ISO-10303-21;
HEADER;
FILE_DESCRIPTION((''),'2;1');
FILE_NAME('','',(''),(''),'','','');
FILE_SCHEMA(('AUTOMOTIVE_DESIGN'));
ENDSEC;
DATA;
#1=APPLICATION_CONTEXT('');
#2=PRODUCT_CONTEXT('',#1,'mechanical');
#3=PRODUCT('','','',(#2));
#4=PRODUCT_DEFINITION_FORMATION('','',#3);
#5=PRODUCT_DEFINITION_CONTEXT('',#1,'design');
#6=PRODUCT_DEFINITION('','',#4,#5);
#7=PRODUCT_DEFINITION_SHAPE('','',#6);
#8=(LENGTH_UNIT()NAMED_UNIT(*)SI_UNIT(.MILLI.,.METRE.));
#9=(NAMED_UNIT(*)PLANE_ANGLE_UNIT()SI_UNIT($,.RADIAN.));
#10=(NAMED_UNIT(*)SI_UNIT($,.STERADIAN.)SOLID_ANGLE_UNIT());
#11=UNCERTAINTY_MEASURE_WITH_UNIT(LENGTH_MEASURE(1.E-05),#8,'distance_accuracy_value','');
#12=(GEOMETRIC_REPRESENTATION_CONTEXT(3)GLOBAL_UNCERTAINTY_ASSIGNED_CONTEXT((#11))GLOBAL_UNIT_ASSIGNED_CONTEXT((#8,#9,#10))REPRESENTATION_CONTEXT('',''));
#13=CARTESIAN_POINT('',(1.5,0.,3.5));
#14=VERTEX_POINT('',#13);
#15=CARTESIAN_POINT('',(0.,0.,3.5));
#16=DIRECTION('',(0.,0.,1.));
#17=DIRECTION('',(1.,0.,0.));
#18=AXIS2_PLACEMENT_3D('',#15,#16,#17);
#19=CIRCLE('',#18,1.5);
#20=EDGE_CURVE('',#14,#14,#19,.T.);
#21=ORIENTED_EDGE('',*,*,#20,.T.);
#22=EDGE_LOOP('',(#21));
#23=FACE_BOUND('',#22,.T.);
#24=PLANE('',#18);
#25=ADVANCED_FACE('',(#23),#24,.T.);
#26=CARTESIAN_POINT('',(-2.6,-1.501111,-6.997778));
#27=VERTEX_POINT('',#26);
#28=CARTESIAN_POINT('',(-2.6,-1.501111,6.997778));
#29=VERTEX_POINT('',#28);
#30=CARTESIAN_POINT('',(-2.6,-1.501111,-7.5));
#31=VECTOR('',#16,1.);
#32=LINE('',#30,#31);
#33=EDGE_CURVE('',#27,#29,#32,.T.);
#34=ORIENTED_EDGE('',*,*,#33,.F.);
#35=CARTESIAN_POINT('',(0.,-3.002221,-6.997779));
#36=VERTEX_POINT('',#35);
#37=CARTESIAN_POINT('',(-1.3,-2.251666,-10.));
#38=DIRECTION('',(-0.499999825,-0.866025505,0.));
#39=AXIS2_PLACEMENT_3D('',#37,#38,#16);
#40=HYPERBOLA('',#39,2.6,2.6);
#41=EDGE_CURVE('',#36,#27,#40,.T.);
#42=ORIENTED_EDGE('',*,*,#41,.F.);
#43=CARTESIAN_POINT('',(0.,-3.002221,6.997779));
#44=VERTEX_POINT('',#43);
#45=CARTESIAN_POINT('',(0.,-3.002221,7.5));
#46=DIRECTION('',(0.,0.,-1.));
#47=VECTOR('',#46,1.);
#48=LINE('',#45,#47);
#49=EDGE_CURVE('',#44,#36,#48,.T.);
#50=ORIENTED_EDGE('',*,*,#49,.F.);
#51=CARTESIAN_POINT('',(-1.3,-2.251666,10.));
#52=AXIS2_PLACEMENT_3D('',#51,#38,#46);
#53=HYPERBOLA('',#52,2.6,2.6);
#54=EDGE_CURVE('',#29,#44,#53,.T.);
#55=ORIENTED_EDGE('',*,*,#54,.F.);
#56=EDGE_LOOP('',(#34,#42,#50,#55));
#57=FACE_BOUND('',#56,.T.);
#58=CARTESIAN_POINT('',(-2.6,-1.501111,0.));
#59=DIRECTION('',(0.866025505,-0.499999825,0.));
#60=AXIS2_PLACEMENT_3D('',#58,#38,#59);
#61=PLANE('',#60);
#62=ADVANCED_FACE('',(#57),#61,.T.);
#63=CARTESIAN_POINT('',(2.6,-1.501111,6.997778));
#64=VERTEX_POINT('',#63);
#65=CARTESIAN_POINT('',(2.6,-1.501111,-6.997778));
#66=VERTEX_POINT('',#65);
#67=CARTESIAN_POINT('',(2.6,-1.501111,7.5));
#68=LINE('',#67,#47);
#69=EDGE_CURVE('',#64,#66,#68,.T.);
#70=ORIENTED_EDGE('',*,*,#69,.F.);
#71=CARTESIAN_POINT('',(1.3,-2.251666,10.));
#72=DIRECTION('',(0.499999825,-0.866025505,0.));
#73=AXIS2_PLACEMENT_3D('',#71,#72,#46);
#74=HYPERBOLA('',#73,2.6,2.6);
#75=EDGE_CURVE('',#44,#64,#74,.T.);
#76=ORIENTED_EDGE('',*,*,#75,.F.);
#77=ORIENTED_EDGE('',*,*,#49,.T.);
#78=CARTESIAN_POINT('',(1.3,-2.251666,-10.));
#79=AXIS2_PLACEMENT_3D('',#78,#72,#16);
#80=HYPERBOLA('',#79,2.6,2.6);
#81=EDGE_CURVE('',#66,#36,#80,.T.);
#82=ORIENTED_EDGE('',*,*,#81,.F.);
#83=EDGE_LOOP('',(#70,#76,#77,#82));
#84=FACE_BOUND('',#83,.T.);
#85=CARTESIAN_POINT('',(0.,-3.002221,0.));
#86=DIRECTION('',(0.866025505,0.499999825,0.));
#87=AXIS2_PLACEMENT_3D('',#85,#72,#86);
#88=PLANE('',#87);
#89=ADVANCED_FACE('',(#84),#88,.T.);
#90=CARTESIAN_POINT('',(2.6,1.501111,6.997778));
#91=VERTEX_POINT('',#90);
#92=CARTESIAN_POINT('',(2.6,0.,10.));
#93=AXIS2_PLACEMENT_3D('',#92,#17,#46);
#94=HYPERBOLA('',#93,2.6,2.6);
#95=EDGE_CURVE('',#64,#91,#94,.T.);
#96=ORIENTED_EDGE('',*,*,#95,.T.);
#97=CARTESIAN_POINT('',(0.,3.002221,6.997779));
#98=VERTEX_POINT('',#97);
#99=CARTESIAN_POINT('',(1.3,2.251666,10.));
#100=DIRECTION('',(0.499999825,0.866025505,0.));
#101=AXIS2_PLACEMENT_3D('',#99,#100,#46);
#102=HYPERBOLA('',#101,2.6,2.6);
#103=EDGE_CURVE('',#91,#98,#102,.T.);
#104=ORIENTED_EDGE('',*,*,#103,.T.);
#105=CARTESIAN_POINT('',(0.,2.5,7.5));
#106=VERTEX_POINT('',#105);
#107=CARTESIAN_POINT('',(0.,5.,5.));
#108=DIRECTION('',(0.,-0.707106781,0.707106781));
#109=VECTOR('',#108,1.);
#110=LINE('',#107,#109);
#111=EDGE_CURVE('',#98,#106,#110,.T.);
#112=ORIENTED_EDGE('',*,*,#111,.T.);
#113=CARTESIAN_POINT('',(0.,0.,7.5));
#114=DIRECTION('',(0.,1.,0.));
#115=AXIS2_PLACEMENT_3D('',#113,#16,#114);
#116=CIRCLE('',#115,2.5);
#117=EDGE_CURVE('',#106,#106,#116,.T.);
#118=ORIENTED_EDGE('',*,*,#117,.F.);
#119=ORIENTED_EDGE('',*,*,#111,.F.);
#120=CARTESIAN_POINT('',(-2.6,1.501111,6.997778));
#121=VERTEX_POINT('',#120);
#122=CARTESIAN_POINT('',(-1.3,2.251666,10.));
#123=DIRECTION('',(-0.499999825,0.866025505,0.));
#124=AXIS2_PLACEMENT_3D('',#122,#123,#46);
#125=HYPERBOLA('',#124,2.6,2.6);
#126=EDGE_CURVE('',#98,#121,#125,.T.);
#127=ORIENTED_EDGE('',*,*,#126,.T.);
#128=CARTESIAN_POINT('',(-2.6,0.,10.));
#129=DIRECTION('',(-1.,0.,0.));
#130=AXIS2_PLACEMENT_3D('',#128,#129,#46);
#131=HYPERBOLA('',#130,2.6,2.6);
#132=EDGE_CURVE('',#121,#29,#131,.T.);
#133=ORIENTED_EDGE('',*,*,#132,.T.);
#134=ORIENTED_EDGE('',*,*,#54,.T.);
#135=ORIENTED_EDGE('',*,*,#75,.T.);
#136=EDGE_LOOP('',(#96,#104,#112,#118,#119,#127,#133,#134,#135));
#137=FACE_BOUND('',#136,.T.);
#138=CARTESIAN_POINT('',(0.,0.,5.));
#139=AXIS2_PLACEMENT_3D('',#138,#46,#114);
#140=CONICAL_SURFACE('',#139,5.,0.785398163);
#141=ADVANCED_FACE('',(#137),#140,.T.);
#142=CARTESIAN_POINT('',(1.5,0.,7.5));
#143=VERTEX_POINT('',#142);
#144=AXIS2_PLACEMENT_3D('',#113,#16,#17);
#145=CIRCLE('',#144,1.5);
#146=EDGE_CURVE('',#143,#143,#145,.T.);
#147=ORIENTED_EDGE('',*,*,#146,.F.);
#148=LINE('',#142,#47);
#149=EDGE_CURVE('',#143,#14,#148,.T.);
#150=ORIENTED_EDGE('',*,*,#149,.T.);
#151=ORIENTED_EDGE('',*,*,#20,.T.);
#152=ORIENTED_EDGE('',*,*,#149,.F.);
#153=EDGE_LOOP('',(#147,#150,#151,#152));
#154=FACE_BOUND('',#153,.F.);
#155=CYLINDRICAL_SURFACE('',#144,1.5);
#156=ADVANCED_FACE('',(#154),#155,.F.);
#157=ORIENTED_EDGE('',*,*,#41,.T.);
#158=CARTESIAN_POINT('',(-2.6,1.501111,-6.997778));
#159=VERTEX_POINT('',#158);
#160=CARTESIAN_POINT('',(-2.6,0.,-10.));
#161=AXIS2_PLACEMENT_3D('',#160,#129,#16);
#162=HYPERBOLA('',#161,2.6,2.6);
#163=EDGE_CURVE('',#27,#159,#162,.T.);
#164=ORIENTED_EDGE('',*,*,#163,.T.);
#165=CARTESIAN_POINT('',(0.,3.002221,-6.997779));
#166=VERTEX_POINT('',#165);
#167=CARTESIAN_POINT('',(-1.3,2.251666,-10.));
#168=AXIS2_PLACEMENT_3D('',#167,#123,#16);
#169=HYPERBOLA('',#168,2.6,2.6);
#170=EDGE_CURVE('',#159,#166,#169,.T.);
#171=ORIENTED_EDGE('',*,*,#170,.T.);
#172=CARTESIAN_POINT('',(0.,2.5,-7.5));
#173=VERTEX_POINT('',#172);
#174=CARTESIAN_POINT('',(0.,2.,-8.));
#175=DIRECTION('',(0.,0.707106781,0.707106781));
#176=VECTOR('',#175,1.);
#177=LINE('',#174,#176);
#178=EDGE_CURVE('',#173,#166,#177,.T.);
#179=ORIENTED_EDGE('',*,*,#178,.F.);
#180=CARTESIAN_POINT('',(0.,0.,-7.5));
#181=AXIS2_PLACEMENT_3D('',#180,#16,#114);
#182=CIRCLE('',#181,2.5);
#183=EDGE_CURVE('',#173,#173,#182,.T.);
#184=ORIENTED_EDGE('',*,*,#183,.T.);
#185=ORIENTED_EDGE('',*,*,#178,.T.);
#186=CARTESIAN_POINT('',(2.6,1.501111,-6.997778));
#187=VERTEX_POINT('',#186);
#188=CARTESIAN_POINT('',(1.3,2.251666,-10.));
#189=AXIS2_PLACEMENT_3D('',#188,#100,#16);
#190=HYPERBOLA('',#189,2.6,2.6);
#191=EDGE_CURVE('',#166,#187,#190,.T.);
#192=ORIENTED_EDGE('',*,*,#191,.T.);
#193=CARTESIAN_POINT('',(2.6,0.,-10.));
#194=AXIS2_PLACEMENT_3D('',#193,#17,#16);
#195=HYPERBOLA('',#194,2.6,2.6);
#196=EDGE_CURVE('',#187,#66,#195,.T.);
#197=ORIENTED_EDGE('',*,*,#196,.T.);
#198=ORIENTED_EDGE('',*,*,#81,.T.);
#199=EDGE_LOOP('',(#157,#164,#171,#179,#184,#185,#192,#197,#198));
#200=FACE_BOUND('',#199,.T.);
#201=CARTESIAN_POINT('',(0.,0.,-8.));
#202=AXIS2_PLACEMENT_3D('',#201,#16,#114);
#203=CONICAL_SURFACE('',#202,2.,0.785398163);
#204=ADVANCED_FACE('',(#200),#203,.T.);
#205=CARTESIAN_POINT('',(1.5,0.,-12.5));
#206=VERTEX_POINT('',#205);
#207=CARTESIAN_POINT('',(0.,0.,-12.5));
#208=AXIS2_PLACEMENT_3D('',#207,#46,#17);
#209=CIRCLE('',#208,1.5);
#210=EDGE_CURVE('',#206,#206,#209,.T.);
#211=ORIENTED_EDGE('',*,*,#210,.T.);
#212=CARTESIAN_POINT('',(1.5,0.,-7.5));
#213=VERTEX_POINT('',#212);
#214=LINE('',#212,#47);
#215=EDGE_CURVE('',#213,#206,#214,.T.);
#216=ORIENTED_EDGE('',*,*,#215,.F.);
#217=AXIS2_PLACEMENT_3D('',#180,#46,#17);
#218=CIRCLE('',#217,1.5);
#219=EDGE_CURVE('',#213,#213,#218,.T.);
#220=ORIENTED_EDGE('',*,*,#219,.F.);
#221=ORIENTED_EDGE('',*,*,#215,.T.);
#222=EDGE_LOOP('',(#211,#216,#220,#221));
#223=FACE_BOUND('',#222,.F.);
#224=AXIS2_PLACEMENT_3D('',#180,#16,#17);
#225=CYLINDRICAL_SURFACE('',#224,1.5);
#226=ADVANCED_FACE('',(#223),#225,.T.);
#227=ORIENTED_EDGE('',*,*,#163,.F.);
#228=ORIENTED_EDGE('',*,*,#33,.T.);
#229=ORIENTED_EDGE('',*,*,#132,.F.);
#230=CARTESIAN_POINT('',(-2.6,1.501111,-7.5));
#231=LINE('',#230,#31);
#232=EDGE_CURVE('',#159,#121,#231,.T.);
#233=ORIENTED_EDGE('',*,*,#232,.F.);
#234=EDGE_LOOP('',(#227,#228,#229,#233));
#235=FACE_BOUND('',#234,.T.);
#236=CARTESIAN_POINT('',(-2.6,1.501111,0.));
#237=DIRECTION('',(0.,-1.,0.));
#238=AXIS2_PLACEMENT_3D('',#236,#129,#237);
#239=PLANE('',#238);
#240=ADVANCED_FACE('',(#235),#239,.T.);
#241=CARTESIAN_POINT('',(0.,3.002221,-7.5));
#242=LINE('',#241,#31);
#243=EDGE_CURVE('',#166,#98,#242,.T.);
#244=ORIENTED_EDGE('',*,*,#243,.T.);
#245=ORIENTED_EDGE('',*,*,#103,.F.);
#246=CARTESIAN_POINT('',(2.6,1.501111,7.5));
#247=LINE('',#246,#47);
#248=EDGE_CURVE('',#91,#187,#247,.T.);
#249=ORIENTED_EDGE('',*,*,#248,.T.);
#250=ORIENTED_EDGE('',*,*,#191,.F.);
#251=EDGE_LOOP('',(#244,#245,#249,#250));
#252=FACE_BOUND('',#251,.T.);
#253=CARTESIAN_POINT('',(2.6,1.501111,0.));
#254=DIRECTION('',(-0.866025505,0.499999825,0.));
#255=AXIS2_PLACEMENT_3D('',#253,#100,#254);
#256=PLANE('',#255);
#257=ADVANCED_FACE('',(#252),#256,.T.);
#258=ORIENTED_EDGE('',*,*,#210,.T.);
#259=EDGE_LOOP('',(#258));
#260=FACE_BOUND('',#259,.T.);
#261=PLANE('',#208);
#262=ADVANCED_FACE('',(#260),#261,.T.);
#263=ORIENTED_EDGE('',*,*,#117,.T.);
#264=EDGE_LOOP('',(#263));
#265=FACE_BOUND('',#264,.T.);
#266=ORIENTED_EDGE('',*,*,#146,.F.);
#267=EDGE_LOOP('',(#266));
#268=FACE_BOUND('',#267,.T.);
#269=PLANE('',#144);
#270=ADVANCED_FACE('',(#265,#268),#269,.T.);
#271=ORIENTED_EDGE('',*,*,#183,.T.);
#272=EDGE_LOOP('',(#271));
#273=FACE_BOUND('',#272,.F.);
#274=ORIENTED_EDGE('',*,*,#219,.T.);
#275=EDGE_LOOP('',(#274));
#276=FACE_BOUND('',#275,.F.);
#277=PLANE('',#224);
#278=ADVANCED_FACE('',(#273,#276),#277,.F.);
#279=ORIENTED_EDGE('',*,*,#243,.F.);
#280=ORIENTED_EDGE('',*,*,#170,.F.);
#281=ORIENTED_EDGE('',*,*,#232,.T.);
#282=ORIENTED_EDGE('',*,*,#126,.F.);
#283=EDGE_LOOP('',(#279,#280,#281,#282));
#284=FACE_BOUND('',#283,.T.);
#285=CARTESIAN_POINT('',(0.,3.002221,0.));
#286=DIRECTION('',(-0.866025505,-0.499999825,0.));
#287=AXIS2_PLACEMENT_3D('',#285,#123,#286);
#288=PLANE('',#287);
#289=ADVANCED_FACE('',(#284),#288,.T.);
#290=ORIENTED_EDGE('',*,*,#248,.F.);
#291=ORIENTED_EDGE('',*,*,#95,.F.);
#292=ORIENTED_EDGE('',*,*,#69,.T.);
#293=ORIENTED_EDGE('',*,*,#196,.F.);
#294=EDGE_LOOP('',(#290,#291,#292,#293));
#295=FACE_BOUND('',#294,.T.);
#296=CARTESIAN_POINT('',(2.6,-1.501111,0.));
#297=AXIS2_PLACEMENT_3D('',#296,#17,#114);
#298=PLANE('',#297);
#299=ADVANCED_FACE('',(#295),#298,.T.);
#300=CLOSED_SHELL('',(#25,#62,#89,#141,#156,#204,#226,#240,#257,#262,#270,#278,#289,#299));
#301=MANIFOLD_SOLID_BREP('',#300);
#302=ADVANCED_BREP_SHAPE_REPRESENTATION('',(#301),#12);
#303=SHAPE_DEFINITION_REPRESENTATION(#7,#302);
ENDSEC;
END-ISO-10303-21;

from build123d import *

# Parameters (mm, degrees)
PAD_DEPTH    = 7.5
SKETCH001_R  = 1.5
POCKET_DEPTH = 4
SKETCH004_R  = 1.5
PAD001_DEPTH = 5


with BuildPart() as part:
    # Sketch → Pad (new body, symmetric)
    with BuildSketch(Plane.XY):
        Polygon((2.6, 1.501111), (0, 3.002221), (-2.6, 1.501111), (-2.6, -1.501111), (0, -3.002221), (2.6, -1.501111), align=None)
    extrude(amount=PAD_DEPTH, both=True)

    # Sketch001 (on Face8 of Pad) → Pocket (cut)
    with BuildSketch(Plane.XY.offset(7.5)):
        Circle(SKETCH001_R)
    extrude(amount=-POCKET_DEPTH, mode=Mode.SUBTRACT)

    # Sketch004 (on Face4 of Pocket) → Pad001 (join)
    with BuildSketch(Plane(origin=(0, 0, -7.5), x_dir=(1, 0, 0), z_dir=(0, 0, -1))):
        Circle(SKETCH004_R)
    extrude(amount=PAD001_DEPTH)

    # Sketch005 → Groove (revolve, cut)
    with BuildSketch(Plane.YZ):
        Polygon((2, 8), (6, 8), (6, -8), (2, -8), (5, -5), (5, 5), align=None)
    revolve(axis=Axis((0, 0, 0), (0, 0, 1)), mode=Mode.SUBTRACT)


solid = part.part
